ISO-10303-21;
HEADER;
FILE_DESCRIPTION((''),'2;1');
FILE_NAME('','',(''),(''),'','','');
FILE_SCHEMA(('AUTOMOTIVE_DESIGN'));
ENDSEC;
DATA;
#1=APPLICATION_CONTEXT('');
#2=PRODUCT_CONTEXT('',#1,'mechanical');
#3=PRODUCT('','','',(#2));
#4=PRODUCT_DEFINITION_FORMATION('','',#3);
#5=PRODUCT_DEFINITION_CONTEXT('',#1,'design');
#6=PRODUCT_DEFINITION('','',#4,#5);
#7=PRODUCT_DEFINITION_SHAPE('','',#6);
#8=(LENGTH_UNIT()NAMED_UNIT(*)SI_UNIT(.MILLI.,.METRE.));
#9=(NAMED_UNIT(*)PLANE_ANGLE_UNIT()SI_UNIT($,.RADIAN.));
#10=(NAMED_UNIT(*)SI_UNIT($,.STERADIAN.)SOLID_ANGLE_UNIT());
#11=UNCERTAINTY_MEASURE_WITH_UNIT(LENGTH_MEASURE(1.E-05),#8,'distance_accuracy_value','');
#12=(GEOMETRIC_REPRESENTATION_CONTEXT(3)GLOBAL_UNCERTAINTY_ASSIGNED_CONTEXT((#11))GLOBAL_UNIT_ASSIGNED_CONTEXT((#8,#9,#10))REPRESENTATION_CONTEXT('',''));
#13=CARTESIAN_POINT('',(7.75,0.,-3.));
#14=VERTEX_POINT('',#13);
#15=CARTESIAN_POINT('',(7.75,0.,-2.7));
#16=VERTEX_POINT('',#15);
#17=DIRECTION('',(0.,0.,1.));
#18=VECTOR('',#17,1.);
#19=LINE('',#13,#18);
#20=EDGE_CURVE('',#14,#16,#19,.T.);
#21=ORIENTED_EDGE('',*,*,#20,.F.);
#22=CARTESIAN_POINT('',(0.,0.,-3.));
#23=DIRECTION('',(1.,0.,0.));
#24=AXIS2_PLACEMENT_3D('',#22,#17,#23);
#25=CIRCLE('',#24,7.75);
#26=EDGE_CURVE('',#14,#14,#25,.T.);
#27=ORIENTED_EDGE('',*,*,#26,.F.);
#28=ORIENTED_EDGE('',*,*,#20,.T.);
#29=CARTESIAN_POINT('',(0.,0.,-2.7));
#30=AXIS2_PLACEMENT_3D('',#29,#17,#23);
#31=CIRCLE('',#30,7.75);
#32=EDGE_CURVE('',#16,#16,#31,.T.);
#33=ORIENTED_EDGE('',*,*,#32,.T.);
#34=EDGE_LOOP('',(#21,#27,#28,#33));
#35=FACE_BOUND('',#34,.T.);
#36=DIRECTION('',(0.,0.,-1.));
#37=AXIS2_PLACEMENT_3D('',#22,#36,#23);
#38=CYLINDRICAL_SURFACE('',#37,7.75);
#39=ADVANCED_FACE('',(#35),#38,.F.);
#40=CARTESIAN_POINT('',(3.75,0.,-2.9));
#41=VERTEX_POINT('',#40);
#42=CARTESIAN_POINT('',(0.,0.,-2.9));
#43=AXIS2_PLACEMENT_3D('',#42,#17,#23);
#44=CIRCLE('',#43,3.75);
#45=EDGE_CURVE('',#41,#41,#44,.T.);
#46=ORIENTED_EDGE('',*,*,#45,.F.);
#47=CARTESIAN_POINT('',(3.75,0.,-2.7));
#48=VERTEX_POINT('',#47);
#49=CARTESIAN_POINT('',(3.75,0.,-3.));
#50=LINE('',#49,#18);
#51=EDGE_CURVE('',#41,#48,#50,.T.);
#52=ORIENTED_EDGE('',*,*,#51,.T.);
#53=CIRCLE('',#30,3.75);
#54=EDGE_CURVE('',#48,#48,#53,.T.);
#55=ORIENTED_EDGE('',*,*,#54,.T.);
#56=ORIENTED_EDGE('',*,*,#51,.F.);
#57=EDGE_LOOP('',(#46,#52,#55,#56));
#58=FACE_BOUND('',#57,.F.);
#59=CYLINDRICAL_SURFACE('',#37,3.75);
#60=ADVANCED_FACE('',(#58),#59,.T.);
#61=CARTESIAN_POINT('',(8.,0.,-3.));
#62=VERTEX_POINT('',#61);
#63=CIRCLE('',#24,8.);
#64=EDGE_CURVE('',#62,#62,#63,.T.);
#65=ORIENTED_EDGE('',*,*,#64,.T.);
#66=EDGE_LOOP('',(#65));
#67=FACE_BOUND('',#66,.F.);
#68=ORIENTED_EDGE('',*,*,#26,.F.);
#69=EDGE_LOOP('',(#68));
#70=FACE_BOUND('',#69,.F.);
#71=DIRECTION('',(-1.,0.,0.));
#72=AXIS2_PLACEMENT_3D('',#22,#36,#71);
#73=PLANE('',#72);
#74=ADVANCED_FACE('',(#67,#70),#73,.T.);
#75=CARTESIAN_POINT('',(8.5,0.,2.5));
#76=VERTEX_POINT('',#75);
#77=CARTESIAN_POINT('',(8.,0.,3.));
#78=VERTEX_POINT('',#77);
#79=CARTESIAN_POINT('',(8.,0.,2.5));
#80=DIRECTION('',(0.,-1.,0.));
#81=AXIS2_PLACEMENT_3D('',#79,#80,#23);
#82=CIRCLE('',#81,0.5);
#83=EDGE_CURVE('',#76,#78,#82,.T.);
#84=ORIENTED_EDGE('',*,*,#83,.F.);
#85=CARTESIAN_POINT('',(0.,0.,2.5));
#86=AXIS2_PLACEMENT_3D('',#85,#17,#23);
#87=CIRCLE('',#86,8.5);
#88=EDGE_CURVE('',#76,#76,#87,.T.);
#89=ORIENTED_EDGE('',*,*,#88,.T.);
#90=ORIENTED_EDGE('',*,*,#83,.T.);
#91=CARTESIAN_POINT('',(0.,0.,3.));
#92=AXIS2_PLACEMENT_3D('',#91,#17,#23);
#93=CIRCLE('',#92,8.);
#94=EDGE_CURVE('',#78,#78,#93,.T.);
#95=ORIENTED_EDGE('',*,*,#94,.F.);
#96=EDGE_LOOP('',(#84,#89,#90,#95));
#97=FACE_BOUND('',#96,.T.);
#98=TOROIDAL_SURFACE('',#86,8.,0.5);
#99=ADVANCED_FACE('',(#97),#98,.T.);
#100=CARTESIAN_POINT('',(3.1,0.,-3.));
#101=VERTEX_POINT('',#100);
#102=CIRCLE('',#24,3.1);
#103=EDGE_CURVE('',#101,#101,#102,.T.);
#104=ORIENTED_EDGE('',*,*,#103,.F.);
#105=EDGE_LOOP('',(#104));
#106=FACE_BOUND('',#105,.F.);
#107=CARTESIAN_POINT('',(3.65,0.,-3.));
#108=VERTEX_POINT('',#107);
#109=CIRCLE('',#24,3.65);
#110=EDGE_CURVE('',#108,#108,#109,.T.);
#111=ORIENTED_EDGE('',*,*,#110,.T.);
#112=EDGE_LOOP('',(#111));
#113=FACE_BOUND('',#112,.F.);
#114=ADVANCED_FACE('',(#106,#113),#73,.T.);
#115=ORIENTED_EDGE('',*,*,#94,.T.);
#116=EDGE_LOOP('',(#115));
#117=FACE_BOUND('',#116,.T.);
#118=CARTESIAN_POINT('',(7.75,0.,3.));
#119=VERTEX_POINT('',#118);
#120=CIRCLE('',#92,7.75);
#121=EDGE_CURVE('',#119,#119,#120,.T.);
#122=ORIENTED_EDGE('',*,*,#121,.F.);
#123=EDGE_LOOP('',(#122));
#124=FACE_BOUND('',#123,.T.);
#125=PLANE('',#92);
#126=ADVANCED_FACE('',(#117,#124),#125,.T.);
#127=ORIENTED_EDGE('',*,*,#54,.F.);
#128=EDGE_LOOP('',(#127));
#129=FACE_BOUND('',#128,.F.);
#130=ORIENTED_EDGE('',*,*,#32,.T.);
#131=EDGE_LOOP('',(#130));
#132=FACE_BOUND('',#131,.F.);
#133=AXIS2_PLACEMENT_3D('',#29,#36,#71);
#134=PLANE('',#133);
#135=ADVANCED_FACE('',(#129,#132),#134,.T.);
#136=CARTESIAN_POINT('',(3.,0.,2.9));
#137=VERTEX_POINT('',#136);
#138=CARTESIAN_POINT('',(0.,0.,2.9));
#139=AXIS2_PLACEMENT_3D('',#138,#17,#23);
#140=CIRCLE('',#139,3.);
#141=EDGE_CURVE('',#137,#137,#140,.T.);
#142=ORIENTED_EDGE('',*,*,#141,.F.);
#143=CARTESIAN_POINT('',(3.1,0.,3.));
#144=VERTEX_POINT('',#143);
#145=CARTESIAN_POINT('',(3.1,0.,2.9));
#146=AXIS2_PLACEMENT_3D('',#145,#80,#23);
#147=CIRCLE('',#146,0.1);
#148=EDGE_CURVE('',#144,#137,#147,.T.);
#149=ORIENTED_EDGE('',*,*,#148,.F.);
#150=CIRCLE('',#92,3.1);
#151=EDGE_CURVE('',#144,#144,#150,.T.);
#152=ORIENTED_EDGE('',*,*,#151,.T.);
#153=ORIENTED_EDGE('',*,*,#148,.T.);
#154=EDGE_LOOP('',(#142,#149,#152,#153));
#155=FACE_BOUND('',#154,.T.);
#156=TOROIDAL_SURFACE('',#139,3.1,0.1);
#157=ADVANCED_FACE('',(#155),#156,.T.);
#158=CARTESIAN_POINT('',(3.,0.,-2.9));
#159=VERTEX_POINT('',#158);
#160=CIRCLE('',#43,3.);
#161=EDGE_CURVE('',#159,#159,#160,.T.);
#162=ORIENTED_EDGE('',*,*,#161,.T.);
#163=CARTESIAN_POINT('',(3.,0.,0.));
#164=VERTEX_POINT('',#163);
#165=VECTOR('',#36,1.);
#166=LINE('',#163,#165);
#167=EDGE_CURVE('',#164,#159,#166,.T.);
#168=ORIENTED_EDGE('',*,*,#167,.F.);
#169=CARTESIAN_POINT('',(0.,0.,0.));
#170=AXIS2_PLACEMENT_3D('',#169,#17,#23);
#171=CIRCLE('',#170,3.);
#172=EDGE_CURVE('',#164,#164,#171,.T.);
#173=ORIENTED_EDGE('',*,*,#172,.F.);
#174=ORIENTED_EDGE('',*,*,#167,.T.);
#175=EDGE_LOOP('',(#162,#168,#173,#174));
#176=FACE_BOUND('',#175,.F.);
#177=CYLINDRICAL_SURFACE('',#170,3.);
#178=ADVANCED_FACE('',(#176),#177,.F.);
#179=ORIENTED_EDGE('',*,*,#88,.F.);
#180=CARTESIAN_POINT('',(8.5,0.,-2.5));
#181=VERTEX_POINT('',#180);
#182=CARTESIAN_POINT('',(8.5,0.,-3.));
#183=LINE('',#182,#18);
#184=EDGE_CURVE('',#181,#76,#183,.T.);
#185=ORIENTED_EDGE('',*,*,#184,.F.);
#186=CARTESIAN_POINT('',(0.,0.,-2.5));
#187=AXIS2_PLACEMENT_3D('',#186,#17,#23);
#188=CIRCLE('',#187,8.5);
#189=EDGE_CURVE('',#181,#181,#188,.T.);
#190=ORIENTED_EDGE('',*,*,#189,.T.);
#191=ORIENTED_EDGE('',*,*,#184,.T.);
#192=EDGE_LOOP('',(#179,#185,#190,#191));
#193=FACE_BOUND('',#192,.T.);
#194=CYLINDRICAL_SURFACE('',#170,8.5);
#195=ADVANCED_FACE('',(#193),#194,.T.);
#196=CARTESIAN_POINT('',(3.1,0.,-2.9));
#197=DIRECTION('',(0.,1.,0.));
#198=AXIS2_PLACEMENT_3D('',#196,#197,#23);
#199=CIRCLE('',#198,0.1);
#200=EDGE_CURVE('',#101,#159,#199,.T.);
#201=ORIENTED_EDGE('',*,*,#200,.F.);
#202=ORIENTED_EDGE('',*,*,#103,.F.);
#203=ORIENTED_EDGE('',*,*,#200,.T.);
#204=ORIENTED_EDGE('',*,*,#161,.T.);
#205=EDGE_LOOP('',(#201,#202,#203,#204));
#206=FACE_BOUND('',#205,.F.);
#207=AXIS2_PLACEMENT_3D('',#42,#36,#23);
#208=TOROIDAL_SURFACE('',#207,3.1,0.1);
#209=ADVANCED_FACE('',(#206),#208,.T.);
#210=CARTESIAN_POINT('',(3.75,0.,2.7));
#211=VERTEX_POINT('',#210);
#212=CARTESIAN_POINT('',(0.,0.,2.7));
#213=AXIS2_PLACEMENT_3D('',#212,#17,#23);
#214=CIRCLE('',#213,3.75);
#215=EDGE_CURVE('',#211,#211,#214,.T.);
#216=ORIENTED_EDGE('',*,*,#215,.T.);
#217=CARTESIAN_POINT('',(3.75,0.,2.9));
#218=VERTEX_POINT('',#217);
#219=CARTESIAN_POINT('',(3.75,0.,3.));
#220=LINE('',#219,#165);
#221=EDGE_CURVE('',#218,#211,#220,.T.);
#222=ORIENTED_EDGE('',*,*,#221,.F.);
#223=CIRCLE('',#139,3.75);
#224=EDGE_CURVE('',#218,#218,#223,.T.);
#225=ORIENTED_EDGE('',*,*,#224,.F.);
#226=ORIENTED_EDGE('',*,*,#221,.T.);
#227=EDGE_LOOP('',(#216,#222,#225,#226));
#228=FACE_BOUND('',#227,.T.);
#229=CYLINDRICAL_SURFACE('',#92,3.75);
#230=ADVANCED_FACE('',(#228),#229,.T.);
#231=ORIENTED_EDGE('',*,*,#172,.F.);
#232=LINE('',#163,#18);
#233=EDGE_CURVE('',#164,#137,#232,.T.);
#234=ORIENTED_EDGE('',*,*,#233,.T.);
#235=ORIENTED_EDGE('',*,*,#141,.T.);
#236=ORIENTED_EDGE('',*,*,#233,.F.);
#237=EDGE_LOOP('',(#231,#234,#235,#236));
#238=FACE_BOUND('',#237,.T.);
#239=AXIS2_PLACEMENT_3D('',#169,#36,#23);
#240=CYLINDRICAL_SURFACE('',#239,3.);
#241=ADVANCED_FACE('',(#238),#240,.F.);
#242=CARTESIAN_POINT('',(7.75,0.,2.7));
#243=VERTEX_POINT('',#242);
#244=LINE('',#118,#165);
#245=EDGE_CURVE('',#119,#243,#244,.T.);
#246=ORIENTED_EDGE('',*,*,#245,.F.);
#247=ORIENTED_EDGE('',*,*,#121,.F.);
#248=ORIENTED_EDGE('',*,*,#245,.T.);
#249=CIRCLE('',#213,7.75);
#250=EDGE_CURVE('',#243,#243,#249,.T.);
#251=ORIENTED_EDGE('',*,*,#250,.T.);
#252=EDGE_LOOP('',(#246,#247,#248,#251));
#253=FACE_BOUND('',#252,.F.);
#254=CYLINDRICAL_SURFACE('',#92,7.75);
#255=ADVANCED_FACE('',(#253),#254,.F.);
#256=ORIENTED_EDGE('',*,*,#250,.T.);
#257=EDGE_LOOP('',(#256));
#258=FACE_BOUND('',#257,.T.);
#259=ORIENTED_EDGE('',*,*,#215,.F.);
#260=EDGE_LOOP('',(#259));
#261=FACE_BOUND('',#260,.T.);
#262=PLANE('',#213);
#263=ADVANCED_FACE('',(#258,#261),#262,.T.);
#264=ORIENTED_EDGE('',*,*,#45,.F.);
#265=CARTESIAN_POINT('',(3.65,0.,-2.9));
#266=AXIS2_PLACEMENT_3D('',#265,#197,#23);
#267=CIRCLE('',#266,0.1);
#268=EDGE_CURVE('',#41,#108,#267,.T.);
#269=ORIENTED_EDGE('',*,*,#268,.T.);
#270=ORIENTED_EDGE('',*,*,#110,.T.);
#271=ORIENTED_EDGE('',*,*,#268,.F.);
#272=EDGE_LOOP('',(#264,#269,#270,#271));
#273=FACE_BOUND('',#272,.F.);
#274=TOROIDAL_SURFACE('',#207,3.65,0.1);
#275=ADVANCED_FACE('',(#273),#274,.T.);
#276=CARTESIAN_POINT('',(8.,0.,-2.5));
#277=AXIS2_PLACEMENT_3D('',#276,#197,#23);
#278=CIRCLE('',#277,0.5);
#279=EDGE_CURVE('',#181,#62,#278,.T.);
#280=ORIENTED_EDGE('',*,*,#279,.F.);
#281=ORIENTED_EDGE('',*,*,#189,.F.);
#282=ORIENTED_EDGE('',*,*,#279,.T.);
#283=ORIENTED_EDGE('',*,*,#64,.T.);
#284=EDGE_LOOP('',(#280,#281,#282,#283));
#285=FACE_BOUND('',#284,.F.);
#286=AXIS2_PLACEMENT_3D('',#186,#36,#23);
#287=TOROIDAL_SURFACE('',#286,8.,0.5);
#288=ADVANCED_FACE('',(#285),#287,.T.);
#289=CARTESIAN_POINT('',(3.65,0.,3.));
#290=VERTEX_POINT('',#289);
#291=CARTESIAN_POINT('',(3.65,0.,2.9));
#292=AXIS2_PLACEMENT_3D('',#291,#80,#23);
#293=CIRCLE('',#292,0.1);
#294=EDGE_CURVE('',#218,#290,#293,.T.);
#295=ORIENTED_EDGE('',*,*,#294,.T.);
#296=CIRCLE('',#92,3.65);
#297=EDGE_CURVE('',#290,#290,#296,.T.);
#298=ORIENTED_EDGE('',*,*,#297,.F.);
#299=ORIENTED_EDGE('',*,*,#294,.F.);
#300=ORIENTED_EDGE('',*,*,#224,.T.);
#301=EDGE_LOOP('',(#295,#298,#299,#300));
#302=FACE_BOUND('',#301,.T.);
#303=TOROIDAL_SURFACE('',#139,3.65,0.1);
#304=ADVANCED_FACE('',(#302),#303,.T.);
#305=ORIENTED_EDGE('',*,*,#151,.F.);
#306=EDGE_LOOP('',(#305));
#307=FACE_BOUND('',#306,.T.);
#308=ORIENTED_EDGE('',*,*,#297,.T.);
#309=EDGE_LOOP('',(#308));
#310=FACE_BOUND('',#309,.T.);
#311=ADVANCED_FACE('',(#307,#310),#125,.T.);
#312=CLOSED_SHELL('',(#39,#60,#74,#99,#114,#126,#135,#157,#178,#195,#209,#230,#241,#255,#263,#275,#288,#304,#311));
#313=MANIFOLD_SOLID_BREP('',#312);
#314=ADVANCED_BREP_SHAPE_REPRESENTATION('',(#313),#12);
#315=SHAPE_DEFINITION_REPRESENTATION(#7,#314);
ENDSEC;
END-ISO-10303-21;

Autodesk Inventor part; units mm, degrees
ref_plane "YZ Plane" through (0, 0, 0) normal (1, 0, 0) x (0, 1, 0)
ref_plane "XZ Plane" through (0, 0, 0) normal (0, 1, 0) x (-1, 0, 0)
ref_plane "XY Plane" through (0, 0, 0) normal (0, 0, 1) x (1, 0, 0)
sketch "スケッチ1" plane through (0, 0, 0) normal (0, 0, 1) x (1, 0, 0)
  circle A0 centre (0, 0) radius 8.5
  circle A1 centre (0, 0) radius 3
  dimension "d0" = 17
  dimension "d1" = 6
extrude "押し出し1" add sketch "スケッチ1" along normal blind 3
sketch "スケッチ2" plane through (0, 0, 3) normal (0, 0, 1) x (1, 0, 0)
  circle A0 centre (0, 0) radius 7.75
  circle A1 centre (0, 0) radius 3.75
  circle A2 centre (0, 0) radius 8.5 projected
  circle A3 centre (0, 0) radius 3 projected
  dimension "d4" = 0.75
  dimension "d5" = 0.75
extrude "押し出し2" cut sketch "スケッチ2" against normal blind 0.3 contours A0
mirror "ミラー1" about plane through (0, 0, 0) normal (0, 0, -1) of "押し出し1", "押し出し2"
fillet "フィレット1" radius 0.5 2 edges at (-8.5, 0, -3) (-8.5, 0, 3)
fillet "フィレット2" radius 0.1 4 edges at (-3, 0, -3) (-3, 0, 3) (-3.75, 0, -3) (-3.75, 0, 3)
properties part number "Bearing_small"
